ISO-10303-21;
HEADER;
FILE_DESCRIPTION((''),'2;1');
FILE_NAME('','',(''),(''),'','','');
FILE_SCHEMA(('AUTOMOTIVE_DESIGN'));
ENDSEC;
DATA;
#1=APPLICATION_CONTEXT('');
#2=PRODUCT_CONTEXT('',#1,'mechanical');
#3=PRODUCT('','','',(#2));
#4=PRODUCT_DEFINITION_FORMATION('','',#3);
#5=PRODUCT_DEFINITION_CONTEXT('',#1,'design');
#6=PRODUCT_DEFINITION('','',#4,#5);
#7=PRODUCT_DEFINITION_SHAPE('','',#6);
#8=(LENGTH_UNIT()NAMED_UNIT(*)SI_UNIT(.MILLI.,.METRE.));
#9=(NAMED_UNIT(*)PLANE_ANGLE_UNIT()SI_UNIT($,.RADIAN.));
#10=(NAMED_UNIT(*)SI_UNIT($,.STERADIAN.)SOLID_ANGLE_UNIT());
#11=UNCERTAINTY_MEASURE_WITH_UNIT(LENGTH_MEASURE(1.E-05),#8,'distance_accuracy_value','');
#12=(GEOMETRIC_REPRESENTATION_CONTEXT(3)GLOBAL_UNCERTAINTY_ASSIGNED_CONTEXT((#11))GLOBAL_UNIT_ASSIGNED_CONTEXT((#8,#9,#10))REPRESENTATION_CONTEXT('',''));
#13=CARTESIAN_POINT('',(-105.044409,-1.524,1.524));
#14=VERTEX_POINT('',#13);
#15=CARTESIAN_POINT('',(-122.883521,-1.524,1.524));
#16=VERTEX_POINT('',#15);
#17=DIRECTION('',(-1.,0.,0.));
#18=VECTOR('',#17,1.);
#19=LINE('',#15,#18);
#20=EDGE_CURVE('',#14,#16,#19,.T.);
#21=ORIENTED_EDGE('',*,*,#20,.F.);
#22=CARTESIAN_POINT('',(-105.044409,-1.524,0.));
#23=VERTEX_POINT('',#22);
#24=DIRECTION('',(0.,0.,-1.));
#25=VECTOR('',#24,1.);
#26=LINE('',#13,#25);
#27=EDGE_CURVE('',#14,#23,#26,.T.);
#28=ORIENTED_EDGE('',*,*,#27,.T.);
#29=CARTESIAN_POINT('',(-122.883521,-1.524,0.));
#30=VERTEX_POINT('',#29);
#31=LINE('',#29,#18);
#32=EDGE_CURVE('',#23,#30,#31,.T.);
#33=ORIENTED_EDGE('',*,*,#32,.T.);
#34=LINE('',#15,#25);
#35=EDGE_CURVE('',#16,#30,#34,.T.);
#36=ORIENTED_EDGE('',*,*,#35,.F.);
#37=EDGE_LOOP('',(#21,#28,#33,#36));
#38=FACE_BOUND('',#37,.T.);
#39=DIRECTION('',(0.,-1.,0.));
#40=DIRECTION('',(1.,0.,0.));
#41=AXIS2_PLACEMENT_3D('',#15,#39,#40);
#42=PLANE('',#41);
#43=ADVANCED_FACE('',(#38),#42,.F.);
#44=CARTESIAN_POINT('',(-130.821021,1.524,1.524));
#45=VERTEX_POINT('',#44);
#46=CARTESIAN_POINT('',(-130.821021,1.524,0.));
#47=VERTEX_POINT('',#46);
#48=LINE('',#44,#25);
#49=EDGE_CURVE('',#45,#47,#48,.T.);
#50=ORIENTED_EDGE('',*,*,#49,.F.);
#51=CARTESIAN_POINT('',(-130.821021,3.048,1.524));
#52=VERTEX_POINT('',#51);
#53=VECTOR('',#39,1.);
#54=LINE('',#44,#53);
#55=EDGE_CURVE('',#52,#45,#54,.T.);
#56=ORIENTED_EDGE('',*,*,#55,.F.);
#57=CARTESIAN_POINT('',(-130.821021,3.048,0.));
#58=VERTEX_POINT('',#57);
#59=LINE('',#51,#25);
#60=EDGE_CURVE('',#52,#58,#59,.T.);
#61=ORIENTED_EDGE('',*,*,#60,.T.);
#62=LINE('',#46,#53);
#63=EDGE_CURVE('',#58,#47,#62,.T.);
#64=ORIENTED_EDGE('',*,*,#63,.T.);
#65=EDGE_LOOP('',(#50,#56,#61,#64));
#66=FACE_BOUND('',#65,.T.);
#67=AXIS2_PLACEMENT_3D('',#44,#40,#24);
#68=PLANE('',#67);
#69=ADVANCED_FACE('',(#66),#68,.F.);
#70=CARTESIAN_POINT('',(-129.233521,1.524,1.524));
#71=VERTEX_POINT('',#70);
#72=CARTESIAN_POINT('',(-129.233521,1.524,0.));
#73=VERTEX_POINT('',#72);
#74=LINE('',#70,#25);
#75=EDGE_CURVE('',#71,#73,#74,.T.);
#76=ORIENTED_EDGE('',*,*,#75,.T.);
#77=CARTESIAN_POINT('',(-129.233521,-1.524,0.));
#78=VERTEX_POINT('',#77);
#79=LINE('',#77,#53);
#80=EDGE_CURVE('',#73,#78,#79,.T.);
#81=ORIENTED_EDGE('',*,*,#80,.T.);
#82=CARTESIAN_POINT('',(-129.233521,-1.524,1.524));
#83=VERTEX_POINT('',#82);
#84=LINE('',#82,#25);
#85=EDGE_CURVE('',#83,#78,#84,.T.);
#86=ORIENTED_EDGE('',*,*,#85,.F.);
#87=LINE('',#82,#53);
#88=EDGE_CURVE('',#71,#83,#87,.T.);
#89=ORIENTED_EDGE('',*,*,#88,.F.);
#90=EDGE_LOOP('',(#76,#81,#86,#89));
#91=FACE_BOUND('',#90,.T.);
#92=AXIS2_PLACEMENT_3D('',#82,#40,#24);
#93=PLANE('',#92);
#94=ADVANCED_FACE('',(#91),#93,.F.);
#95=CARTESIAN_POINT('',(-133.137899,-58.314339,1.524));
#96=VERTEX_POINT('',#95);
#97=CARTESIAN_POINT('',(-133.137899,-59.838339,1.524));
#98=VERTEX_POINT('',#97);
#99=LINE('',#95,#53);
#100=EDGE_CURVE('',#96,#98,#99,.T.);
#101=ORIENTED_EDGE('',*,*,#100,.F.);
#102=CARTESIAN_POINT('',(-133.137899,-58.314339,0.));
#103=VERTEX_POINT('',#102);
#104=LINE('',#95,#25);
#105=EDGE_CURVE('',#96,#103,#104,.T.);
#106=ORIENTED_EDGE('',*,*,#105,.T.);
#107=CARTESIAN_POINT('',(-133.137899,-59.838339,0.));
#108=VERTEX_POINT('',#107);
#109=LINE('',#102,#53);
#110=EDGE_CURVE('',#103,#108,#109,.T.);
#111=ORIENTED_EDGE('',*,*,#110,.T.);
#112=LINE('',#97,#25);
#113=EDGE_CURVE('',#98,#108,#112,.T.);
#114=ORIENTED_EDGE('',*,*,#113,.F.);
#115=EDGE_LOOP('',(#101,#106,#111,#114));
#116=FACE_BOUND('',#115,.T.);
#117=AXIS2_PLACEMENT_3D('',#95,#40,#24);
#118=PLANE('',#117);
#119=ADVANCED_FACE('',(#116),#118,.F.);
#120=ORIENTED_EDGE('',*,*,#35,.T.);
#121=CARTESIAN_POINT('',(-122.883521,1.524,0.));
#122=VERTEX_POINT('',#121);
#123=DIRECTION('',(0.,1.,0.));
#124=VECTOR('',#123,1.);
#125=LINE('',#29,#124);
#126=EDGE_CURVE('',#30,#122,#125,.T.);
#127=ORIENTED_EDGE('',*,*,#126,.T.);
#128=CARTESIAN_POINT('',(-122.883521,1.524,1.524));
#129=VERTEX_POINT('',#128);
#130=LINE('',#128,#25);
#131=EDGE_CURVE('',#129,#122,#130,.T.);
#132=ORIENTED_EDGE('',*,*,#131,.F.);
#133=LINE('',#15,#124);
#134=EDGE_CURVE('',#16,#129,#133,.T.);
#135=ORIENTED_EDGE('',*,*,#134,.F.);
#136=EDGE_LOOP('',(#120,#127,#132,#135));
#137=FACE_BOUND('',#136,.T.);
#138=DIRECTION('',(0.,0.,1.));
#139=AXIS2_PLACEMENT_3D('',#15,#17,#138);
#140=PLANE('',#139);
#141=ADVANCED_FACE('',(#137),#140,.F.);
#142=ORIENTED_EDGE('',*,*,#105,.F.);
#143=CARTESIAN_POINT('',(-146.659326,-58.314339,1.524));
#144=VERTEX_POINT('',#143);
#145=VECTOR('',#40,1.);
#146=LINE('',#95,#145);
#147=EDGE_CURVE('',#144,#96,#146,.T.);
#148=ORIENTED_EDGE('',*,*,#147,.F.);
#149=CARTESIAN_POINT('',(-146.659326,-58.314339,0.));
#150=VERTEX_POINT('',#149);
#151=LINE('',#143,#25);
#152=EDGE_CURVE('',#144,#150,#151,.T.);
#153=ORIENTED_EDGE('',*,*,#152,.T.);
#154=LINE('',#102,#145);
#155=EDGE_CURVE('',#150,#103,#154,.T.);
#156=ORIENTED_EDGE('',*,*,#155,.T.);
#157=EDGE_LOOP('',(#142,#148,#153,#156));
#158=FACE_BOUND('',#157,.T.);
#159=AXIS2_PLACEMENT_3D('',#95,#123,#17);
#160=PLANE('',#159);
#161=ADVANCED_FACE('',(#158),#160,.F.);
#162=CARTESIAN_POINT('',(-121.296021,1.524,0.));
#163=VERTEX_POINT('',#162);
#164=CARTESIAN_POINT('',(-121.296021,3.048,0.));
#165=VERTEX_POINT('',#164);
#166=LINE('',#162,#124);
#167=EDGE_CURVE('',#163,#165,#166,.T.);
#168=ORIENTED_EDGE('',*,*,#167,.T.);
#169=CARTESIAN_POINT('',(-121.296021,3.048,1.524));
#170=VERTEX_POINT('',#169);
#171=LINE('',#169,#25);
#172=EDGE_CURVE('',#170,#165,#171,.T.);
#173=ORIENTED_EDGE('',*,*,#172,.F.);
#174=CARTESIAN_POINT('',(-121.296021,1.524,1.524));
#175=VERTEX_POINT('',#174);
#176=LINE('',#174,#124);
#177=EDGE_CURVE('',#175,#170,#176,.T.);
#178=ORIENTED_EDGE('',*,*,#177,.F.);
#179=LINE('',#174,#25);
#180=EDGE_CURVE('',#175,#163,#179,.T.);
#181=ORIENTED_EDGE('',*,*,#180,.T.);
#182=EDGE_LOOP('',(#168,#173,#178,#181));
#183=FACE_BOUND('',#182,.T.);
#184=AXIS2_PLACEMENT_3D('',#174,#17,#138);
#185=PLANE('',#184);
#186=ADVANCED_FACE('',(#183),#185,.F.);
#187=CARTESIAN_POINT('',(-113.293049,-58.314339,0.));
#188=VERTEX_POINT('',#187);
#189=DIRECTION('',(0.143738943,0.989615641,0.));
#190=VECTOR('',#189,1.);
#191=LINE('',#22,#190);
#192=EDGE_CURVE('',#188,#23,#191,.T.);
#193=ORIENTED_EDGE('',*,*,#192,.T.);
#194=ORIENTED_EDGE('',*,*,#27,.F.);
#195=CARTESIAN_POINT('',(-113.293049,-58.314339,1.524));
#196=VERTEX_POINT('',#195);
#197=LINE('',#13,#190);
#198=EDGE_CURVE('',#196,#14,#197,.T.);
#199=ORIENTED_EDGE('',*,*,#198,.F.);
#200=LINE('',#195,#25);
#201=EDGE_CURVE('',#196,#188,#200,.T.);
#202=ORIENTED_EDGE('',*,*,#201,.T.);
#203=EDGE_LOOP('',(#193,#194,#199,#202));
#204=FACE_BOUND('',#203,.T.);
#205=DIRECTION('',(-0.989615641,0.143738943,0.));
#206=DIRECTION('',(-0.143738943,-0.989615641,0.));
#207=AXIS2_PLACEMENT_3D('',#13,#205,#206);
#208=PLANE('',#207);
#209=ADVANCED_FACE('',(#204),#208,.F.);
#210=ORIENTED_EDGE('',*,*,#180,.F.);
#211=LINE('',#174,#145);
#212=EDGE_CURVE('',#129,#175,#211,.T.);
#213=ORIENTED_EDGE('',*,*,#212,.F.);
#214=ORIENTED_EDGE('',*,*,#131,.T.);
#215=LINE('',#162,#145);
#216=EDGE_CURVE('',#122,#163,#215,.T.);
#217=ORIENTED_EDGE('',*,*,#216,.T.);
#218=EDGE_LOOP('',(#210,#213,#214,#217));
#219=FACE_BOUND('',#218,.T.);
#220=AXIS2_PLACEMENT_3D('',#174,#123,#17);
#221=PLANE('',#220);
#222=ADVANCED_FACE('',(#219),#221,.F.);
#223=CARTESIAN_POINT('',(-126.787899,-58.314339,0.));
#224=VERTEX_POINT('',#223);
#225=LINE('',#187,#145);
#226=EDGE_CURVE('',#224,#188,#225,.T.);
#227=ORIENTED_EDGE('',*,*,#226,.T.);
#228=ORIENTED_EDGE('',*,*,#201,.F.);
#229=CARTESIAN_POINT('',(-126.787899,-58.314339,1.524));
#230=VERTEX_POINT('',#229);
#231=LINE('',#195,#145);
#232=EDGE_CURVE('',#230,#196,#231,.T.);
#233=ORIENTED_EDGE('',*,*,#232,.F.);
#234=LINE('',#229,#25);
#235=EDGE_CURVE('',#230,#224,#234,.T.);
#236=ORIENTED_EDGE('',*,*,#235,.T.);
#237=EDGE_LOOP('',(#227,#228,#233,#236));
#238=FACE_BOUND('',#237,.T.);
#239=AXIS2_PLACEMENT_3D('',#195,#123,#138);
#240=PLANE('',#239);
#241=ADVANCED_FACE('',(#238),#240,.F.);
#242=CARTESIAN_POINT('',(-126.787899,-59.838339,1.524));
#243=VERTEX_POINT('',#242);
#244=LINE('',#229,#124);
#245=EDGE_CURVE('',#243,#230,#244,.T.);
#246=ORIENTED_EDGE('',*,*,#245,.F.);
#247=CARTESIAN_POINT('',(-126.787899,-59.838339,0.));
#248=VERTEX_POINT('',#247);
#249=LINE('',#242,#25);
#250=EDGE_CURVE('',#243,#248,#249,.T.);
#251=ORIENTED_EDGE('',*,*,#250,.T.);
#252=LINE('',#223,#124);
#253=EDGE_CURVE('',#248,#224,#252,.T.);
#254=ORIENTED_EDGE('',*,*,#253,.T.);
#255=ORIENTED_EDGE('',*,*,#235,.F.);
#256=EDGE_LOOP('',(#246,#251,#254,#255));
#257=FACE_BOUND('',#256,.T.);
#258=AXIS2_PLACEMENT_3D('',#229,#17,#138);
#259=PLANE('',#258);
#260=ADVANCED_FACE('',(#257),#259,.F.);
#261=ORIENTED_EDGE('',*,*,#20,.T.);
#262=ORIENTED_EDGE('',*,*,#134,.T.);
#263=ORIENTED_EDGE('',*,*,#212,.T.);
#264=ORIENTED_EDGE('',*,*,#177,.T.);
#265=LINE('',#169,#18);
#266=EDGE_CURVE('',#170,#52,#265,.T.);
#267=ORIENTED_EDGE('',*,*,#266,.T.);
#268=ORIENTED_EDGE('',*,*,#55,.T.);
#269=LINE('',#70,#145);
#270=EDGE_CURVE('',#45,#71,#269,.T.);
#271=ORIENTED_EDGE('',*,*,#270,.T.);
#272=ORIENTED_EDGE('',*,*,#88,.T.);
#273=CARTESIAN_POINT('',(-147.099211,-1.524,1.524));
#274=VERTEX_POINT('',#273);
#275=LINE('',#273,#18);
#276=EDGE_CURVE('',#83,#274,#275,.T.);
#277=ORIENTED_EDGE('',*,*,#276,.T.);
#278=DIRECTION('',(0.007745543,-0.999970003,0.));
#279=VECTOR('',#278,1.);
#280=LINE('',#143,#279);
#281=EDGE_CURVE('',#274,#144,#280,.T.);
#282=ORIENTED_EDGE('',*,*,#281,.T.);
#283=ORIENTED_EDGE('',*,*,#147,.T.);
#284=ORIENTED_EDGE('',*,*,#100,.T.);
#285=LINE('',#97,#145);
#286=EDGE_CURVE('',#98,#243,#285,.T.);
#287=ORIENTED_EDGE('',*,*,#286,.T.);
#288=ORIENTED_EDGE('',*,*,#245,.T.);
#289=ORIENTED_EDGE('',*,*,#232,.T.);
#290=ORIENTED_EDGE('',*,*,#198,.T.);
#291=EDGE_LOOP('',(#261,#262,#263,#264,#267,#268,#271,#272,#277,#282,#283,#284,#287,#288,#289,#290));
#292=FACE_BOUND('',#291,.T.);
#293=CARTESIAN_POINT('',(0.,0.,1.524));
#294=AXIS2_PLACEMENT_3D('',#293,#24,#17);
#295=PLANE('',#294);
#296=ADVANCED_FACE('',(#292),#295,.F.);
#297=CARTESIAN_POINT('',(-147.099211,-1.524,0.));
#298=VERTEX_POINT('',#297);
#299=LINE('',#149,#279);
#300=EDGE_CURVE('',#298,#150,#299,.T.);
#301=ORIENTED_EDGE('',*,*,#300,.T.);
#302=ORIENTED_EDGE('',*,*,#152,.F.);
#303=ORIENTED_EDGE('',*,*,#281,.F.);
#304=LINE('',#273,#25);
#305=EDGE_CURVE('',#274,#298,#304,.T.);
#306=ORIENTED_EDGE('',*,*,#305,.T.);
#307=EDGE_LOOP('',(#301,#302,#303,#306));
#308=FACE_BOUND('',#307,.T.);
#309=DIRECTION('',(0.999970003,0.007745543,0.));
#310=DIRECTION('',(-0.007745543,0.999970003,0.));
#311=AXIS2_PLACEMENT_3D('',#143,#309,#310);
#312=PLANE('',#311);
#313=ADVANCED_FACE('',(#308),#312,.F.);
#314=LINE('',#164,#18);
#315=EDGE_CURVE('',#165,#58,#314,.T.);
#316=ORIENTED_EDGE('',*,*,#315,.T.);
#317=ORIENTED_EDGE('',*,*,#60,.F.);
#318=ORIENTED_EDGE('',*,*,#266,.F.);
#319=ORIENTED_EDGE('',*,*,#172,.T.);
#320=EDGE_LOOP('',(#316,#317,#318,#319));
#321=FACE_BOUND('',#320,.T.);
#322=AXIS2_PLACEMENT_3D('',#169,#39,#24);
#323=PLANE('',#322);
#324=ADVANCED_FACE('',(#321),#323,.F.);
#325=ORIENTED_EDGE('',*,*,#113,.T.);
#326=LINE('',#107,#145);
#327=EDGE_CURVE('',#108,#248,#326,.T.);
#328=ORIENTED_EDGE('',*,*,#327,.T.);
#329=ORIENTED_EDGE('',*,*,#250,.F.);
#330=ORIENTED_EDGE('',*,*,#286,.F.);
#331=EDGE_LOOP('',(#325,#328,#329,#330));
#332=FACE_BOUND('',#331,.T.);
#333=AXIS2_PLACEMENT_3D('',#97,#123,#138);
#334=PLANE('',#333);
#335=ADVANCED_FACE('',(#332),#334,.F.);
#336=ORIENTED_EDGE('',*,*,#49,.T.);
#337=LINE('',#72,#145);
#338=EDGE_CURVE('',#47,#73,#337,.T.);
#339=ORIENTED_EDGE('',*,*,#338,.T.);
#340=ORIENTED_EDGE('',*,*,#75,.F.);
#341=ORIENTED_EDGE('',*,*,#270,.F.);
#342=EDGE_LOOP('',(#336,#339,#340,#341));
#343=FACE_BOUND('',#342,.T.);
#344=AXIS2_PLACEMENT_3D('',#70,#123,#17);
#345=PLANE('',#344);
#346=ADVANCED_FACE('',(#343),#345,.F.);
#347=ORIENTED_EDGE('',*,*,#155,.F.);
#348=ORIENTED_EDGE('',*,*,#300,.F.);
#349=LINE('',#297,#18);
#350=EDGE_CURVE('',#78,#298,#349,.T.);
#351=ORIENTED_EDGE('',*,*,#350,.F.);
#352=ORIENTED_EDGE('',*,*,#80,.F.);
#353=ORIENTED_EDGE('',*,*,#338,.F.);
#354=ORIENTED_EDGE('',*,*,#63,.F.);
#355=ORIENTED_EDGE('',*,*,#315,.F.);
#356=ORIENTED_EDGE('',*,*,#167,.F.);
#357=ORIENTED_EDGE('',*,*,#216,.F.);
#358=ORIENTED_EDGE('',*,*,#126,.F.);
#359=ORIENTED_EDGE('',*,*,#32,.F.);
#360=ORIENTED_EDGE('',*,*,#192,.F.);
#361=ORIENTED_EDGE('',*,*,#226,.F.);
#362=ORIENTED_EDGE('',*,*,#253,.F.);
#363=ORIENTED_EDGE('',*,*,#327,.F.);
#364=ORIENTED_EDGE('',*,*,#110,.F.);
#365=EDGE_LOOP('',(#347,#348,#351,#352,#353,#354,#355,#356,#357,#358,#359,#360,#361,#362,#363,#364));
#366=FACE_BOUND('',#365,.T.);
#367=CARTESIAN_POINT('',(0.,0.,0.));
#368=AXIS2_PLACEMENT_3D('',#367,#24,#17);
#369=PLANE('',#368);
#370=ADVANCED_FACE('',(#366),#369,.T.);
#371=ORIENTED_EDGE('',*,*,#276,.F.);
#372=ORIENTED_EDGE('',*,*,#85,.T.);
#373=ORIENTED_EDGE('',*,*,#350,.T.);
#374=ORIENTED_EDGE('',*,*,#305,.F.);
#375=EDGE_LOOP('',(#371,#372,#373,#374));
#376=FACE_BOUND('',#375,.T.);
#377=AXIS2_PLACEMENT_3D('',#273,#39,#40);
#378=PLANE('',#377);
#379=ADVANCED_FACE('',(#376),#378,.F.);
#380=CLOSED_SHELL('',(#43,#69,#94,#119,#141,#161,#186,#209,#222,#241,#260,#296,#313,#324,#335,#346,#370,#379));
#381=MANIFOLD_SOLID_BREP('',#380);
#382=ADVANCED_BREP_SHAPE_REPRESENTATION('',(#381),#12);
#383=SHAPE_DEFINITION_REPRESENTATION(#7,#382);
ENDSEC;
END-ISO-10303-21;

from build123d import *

# Parameters (mm, degrees)
BOSS_EXTRUDE1_DEPTH = 1.524


with BuildPart() as part:
    # Sketch1 → Boss-Extrude1 (new body)
    with BuildSketch(Plane.XY):
        Polygon((-105.044408822, -1.524), (-113.29304893, -58.314338926), (-126.787898899, -58.314338926), (-126.787898899, -59.838338926), (-133.137898899, -59.838338926), (-133.137898899, -58.314338926), (-146.65932572, -58.314338926), (-147.099210905, -1.524), (-129.233521437, -1.524), (-129.233521437, 1.524), (-130.821021437, 1.524), (-130.821021437, 3.048), (-121.296021437, 3.048), (-121.296021437, 1.524), (-122.883521437, 1.524), (-122.883521437, -1.524), align=None)
    extrude(amount=BOSS_EXTRUDE1_DEPTH)


solid = part.part
